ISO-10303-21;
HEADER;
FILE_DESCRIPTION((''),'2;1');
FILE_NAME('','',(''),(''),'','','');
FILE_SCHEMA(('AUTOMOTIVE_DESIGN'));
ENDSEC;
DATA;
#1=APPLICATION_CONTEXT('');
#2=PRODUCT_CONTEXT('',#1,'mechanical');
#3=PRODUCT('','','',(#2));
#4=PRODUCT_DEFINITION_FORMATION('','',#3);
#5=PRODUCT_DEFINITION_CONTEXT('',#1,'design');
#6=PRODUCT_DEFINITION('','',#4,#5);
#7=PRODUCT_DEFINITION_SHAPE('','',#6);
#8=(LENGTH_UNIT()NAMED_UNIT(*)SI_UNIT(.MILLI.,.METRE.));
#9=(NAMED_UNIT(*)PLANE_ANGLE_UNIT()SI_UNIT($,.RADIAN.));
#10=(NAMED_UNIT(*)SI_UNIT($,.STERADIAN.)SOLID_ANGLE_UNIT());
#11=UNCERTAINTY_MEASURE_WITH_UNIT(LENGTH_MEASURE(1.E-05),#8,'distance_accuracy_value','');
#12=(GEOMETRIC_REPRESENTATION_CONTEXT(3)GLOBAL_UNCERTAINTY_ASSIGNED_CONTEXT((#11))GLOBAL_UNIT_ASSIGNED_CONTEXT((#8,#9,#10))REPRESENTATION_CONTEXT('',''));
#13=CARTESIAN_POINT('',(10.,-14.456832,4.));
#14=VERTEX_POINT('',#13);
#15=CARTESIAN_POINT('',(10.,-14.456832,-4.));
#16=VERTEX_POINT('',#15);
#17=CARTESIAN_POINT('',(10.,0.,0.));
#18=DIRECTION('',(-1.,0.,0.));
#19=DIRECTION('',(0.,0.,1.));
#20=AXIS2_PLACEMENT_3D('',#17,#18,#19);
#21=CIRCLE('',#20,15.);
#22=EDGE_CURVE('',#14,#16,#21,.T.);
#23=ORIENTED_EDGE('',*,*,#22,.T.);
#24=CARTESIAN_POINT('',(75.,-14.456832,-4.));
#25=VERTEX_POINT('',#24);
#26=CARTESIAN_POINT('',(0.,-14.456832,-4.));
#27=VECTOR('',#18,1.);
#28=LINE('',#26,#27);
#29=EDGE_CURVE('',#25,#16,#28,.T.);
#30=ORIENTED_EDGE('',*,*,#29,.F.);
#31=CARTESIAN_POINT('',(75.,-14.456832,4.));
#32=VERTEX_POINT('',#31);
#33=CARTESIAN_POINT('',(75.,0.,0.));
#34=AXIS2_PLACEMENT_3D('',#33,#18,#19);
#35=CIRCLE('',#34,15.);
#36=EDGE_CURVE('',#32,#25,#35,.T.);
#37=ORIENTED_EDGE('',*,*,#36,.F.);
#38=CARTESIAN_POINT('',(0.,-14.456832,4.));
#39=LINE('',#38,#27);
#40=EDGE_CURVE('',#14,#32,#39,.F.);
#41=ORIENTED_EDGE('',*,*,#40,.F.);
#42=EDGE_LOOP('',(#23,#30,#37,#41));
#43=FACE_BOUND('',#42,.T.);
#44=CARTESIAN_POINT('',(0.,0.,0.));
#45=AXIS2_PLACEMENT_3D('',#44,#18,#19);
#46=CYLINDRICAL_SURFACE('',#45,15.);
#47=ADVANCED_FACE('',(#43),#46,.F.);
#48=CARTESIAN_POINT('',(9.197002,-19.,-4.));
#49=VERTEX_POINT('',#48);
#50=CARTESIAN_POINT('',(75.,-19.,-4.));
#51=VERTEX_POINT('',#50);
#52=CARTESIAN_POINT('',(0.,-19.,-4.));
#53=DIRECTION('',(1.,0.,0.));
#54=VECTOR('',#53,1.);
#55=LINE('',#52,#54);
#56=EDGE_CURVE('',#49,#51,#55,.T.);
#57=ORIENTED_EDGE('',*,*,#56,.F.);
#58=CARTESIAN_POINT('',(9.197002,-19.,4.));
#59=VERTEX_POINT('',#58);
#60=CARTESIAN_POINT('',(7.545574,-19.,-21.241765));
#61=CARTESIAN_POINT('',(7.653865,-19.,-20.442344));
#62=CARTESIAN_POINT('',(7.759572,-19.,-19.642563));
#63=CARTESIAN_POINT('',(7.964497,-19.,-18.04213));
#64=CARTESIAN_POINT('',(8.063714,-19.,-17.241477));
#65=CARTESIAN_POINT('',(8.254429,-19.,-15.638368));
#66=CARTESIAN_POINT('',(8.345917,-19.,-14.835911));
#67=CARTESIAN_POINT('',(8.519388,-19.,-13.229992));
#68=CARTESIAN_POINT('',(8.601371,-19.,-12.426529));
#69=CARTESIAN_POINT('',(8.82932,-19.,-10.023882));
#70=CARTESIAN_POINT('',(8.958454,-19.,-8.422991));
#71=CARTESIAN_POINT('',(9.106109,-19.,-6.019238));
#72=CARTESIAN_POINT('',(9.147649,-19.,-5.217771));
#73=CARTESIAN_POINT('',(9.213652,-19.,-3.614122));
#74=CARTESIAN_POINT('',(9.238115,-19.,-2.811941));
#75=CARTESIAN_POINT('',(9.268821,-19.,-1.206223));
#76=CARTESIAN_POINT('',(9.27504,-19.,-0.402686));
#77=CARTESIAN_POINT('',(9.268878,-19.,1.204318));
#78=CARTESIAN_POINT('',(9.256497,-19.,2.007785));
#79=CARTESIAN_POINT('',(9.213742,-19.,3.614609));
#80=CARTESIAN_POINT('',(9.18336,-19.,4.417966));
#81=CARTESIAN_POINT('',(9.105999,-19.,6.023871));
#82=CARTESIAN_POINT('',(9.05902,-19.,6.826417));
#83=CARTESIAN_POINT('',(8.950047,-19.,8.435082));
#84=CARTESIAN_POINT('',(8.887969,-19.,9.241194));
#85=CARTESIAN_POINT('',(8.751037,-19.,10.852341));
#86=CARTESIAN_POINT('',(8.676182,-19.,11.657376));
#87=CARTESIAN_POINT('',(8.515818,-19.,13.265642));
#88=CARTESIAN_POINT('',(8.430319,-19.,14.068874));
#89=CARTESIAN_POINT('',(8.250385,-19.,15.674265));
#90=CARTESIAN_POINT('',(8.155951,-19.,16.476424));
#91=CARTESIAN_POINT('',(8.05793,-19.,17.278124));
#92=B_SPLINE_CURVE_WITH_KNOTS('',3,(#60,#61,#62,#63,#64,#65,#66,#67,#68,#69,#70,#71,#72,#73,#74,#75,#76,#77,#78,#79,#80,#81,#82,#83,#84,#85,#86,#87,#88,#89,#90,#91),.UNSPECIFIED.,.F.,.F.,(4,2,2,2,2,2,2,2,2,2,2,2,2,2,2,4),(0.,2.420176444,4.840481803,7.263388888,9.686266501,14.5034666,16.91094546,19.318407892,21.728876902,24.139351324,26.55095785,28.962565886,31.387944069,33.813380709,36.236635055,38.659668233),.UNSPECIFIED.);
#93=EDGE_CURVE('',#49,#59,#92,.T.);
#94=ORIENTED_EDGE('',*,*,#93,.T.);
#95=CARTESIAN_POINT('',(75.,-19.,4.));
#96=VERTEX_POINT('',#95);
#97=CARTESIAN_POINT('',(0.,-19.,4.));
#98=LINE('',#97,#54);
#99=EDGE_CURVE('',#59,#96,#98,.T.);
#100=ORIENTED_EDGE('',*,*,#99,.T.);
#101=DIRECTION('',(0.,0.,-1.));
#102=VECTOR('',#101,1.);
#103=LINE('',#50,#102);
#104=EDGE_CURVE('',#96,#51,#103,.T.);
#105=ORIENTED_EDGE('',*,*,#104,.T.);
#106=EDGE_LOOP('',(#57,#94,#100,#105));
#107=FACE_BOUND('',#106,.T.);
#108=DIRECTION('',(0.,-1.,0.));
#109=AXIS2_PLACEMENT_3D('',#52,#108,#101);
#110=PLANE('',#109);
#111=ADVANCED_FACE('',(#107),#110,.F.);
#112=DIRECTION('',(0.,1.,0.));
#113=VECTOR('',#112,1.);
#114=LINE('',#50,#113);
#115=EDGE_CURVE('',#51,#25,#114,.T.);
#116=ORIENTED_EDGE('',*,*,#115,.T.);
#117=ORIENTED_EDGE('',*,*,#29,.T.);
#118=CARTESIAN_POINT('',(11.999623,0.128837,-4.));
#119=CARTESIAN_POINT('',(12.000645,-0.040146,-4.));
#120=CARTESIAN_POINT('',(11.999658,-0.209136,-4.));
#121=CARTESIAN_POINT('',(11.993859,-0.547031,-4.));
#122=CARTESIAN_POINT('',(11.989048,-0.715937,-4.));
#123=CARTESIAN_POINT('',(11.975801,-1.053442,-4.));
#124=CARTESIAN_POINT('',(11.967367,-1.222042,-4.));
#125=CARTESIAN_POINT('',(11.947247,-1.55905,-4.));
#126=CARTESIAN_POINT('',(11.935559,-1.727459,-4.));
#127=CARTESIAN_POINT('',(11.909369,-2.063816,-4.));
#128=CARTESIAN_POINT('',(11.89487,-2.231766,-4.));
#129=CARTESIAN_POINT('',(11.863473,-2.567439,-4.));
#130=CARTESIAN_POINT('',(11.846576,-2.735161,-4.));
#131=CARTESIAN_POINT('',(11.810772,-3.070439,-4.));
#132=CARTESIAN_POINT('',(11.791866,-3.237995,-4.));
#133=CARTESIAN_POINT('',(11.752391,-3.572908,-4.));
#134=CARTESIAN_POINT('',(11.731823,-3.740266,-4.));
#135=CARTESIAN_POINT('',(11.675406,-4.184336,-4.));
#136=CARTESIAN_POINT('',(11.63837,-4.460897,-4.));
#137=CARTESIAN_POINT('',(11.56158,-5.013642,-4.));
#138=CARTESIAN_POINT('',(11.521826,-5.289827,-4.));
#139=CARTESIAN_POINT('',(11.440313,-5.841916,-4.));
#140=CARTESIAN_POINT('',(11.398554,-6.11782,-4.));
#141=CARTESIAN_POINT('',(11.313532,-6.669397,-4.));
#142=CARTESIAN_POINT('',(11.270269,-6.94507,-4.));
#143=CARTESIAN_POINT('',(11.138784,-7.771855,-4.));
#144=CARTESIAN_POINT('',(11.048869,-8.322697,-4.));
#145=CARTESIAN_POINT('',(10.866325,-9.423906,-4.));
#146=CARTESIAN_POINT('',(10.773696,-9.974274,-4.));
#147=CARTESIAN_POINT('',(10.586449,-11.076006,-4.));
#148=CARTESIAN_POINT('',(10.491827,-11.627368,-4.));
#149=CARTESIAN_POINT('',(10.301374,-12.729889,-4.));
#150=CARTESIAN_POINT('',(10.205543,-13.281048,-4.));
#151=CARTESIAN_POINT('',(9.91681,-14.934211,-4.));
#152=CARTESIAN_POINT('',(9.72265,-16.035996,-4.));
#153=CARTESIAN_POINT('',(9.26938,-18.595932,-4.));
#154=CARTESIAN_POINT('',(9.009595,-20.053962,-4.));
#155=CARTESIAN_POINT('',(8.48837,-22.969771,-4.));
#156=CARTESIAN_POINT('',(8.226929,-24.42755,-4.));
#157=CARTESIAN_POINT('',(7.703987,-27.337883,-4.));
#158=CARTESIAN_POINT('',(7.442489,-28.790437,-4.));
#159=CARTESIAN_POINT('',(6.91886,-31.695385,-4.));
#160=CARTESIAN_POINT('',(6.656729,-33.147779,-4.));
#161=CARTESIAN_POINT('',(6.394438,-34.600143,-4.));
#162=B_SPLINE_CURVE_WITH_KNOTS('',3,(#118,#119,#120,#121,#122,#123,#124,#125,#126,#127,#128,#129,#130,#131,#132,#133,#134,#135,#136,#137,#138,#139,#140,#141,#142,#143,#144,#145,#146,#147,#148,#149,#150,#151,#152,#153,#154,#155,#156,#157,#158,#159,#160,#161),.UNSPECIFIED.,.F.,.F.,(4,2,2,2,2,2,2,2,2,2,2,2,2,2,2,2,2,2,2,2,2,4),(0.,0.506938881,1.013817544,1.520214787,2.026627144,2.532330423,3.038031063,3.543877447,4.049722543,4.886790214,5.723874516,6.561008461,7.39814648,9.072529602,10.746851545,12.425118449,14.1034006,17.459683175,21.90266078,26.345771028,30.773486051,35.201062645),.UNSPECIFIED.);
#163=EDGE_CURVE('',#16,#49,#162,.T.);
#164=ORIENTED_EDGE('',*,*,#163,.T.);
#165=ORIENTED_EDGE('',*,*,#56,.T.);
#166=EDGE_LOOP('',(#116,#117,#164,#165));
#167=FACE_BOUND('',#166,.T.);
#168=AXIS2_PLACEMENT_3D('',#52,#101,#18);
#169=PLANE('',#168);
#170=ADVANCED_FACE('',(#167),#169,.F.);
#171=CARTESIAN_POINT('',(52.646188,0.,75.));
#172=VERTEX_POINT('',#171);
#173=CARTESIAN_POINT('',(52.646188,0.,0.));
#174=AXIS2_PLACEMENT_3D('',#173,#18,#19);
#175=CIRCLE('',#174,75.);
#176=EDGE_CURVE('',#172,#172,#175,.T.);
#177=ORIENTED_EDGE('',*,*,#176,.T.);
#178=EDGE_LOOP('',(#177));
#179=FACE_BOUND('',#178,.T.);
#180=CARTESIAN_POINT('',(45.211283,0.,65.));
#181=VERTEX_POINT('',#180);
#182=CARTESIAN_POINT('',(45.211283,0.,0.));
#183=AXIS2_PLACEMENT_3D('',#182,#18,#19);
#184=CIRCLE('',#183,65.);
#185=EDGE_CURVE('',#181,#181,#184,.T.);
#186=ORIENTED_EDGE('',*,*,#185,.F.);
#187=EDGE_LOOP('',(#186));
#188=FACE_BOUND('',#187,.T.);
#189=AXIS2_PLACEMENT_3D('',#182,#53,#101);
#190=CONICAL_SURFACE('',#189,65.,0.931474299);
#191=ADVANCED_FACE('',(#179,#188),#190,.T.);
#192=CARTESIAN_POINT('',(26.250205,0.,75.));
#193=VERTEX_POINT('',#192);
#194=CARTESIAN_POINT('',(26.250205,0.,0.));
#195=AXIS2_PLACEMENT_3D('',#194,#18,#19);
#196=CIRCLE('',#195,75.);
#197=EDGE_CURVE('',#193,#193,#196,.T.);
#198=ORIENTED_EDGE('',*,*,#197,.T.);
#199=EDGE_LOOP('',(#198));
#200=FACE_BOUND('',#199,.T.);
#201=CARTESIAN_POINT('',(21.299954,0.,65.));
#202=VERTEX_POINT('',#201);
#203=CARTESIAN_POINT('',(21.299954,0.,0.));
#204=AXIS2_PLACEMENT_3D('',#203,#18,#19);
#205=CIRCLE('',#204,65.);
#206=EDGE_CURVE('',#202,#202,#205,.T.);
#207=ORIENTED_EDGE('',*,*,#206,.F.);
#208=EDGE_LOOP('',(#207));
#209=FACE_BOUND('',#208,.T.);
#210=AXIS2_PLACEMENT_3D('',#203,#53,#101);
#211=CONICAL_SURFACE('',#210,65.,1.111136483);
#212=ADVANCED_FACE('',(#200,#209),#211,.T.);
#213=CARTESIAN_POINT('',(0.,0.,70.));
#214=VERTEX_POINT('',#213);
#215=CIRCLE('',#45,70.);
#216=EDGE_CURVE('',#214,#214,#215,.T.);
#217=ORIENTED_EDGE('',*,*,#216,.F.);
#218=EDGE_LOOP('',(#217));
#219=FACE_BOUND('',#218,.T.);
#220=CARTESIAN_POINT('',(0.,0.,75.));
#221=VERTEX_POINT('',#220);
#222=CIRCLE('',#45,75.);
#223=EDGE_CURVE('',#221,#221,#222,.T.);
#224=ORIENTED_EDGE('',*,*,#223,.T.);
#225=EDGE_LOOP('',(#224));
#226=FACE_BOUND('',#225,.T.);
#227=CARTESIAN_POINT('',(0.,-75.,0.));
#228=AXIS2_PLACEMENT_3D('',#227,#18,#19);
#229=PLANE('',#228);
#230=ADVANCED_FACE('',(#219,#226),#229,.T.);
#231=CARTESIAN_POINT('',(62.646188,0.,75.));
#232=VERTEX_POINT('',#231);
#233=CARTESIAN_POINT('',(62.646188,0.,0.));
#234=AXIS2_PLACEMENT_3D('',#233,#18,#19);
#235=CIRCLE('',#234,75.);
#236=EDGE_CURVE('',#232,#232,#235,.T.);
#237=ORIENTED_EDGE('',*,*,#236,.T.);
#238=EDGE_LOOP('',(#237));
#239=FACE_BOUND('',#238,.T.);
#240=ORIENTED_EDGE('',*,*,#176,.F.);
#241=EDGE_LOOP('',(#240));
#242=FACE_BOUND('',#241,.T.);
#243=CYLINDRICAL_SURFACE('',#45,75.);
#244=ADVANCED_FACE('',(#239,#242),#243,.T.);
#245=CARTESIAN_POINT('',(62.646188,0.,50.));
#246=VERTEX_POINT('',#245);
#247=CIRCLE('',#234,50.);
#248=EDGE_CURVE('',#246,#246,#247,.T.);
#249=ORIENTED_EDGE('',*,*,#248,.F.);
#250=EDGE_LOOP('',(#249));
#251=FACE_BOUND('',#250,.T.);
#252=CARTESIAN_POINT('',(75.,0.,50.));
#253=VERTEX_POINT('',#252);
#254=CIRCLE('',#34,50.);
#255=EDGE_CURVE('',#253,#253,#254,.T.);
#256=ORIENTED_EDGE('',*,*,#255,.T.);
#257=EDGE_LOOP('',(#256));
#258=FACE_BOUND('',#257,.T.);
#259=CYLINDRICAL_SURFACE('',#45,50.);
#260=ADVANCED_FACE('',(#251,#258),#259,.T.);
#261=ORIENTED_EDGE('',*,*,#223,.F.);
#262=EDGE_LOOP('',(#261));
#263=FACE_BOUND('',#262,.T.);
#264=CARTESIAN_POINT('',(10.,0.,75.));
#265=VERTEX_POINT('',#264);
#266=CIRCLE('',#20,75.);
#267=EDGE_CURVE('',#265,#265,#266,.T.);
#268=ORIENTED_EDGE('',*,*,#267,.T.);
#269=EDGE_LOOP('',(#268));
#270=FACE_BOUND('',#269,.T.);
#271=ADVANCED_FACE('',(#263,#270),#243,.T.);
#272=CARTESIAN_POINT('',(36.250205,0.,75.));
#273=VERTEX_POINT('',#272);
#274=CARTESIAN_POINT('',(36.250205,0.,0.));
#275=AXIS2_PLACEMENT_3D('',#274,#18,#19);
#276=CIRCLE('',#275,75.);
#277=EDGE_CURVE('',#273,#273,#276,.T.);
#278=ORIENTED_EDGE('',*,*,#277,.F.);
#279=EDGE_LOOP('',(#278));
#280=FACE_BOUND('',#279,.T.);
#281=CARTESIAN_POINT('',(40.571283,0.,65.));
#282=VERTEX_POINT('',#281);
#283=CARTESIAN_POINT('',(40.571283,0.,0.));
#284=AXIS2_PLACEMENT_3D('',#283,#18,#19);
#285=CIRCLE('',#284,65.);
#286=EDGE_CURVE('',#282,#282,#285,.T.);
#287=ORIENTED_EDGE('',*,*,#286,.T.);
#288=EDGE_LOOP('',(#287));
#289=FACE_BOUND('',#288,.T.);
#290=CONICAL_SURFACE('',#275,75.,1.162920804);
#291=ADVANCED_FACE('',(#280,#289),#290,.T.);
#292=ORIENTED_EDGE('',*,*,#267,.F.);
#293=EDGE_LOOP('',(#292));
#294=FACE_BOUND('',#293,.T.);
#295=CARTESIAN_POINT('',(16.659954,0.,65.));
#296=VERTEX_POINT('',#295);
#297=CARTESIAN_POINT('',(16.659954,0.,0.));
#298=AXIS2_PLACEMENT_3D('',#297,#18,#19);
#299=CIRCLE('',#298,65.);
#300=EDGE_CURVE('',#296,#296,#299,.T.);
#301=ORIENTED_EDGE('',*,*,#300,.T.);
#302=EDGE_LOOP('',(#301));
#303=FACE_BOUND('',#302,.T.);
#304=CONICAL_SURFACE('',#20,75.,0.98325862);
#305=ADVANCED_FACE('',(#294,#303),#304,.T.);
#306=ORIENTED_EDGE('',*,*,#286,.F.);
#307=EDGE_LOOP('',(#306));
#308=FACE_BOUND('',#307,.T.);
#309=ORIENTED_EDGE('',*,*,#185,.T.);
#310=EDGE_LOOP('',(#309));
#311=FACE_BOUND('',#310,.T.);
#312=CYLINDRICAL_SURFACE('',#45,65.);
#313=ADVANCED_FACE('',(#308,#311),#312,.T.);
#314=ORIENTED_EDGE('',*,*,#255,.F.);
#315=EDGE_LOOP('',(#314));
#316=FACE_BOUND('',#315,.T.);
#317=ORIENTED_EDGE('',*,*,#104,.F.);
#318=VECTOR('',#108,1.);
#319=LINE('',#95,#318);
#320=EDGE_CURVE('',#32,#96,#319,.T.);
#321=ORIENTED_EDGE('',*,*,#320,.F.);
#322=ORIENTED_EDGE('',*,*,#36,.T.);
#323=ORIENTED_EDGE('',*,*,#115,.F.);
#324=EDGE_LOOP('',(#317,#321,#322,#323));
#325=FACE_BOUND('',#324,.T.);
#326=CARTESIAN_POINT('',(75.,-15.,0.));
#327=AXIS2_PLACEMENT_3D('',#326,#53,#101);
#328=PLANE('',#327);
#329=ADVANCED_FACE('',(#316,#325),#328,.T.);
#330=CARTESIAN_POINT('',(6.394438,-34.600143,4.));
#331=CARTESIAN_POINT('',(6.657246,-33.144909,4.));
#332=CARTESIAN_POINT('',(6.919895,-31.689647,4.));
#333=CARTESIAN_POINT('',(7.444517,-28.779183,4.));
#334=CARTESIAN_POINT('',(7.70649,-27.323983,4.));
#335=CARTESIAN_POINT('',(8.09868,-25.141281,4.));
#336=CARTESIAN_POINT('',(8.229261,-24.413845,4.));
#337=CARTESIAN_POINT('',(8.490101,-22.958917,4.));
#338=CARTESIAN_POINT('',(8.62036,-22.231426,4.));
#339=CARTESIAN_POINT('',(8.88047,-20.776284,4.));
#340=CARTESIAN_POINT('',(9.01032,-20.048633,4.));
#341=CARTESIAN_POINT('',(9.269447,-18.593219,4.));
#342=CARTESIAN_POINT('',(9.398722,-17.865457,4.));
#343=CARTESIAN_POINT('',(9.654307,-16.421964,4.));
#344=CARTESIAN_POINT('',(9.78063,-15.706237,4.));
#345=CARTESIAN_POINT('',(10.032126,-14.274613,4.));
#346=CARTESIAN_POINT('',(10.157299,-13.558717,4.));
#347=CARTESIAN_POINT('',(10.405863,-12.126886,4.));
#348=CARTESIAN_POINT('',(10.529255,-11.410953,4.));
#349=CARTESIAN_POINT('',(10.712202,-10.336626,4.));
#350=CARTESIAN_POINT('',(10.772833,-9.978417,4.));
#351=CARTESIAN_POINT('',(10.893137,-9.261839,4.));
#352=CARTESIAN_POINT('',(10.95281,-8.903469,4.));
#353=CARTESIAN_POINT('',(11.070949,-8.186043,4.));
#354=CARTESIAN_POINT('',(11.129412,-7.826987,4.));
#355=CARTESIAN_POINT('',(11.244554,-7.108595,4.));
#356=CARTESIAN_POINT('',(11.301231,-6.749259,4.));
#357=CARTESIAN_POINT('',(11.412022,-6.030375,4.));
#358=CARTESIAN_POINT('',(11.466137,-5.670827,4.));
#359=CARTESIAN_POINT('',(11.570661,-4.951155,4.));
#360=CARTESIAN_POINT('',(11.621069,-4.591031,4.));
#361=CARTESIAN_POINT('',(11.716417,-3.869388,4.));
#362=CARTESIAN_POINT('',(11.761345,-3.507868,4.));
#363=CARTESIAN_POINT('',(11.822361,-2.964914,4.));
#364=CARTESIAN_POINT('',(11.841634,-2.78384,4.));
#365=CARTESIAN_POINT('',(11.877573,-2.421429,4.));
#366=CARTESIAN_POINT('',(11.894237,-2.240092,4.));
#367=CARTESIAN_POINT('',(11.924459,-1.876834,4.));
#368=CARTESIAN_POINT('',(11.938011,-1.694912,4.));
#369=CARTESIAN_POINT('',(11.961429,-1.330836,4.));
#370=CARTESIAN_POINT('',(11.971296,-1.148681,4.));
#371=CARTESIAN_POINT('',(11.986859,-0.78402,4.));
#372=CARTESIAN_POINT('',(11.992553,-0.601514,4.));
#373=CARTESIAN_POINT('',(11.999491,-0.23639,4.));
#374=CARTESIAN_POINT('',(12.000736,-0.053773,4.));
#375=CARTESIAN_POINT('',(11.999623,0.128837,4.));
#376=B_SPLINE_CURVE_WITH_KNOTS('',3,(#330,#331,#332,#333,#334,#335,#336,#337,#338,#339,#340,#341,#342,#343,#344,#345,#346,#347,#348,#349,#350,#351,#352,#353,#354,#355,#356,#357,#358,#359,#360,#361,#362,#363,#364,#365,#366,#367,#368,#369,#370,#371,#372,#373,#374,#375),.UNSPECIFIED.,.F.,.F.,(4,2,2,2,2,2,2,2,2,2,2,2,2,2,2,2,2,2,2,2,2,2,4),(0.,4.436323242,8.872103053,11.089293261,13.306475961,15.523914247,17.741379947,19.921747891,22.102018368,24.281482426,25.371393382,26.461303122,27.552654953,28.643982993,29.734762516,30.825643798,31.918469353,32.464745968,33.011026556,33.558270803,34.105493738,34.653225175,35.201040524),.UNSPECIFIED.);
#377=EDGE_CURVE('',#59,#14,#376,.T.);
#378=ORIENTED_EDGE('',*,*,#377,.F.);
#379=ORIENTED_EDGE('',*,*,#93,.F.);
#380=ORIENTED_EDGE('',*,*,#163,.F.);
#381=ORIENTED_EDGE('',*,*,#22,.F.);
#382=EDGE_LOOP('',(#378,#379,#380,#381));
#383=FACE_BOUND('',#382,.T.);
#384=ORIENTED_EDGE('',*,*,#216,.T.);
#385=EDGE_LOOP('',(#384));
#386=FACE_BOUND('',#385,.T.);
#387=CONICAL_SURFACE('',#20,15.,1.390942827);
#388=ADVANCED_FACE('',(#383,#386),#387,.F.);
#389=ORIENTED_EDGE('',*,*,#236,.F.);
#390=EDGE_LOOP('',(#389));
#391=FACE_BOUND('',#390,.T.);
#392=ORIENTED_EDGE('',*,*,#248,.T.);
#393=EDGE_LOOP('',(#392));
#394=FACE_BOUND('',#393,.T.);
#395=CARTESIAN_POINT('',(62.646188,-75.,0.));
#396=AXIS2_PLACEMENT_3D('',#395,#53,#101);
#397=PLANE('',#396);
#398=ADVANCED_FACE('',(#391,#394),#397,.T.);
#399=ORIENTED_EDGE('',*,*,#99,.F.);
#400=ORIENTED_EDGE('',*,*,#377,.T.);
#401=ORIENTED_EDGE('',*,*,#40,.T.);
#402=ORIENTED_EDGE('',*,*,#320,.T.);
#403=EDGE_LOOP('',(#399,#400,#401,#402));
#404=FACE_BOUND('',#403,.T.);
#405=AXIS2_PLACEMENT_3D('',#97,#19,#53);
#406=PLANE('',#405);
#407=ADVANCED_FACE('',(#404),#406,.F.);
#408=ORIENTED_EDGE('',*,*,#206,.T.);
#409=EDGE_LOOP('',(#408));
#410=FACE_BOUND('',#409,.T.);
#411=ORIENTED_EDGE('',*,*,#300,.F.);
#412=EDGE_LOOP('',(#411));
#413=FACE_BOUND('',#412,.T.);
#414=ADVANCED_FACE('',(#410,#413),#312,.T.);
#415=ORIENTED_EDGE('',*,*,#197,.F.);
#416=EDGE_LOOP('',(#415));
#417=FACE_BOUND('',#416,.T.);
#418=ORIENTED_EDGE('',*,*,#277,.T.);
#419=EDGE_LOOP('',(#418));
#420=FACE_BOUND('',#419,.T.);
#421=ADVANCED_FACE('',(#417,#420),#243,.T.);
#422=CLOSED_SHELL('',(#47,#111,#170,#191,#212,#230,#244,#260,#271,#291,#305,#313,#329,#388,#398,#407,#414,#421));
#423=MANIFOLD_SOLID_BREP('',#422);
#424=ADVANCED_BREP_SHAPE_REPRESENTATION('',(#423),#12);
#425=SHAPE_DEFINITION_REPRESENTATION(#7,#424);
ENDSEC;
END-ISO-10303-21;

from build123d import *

# Parameters (mm, degrees)
SKETCH2_W          = 8
SKETCH2_H          = 8
CUT_EXTRUDE1_DEPTH = 76


with BuildPart() as part:
    # Sketch1 → Revolve1 (revolve)
    with BuildSketch(Plane.XY):
        Polygon((75, -15), (10, -15), (0, -70), (0, -75), (10, -75), (16.659953574, -65), (21.299953574, -65), (26.250205442, -75), (36.250205442, -75), (40.571282755, -65), (45.211282755, -65), (52.646188266, -75), (62.646188266, -75), (62.646188266, -50), (75, -50), align=None)
    revolve(axis=Axis((0, 0, 0), (1, 0, 0)))

    # Sketch2 → Cut-Extrude1 (cut, through all)
    with BuildSketch(Plane(origin=(75, 0, 0), x_dir=(0, 0, -1), z_dir=(1, 0, 0))):
        with Locations((0, -15)):
            Rectangle(SKETCH2_W, SKETCH2_H)
    extrude(amount=-CUT_EXTRUDE1_DEPTH, mode=Mode.SUBTRACT)


solid = part.part
